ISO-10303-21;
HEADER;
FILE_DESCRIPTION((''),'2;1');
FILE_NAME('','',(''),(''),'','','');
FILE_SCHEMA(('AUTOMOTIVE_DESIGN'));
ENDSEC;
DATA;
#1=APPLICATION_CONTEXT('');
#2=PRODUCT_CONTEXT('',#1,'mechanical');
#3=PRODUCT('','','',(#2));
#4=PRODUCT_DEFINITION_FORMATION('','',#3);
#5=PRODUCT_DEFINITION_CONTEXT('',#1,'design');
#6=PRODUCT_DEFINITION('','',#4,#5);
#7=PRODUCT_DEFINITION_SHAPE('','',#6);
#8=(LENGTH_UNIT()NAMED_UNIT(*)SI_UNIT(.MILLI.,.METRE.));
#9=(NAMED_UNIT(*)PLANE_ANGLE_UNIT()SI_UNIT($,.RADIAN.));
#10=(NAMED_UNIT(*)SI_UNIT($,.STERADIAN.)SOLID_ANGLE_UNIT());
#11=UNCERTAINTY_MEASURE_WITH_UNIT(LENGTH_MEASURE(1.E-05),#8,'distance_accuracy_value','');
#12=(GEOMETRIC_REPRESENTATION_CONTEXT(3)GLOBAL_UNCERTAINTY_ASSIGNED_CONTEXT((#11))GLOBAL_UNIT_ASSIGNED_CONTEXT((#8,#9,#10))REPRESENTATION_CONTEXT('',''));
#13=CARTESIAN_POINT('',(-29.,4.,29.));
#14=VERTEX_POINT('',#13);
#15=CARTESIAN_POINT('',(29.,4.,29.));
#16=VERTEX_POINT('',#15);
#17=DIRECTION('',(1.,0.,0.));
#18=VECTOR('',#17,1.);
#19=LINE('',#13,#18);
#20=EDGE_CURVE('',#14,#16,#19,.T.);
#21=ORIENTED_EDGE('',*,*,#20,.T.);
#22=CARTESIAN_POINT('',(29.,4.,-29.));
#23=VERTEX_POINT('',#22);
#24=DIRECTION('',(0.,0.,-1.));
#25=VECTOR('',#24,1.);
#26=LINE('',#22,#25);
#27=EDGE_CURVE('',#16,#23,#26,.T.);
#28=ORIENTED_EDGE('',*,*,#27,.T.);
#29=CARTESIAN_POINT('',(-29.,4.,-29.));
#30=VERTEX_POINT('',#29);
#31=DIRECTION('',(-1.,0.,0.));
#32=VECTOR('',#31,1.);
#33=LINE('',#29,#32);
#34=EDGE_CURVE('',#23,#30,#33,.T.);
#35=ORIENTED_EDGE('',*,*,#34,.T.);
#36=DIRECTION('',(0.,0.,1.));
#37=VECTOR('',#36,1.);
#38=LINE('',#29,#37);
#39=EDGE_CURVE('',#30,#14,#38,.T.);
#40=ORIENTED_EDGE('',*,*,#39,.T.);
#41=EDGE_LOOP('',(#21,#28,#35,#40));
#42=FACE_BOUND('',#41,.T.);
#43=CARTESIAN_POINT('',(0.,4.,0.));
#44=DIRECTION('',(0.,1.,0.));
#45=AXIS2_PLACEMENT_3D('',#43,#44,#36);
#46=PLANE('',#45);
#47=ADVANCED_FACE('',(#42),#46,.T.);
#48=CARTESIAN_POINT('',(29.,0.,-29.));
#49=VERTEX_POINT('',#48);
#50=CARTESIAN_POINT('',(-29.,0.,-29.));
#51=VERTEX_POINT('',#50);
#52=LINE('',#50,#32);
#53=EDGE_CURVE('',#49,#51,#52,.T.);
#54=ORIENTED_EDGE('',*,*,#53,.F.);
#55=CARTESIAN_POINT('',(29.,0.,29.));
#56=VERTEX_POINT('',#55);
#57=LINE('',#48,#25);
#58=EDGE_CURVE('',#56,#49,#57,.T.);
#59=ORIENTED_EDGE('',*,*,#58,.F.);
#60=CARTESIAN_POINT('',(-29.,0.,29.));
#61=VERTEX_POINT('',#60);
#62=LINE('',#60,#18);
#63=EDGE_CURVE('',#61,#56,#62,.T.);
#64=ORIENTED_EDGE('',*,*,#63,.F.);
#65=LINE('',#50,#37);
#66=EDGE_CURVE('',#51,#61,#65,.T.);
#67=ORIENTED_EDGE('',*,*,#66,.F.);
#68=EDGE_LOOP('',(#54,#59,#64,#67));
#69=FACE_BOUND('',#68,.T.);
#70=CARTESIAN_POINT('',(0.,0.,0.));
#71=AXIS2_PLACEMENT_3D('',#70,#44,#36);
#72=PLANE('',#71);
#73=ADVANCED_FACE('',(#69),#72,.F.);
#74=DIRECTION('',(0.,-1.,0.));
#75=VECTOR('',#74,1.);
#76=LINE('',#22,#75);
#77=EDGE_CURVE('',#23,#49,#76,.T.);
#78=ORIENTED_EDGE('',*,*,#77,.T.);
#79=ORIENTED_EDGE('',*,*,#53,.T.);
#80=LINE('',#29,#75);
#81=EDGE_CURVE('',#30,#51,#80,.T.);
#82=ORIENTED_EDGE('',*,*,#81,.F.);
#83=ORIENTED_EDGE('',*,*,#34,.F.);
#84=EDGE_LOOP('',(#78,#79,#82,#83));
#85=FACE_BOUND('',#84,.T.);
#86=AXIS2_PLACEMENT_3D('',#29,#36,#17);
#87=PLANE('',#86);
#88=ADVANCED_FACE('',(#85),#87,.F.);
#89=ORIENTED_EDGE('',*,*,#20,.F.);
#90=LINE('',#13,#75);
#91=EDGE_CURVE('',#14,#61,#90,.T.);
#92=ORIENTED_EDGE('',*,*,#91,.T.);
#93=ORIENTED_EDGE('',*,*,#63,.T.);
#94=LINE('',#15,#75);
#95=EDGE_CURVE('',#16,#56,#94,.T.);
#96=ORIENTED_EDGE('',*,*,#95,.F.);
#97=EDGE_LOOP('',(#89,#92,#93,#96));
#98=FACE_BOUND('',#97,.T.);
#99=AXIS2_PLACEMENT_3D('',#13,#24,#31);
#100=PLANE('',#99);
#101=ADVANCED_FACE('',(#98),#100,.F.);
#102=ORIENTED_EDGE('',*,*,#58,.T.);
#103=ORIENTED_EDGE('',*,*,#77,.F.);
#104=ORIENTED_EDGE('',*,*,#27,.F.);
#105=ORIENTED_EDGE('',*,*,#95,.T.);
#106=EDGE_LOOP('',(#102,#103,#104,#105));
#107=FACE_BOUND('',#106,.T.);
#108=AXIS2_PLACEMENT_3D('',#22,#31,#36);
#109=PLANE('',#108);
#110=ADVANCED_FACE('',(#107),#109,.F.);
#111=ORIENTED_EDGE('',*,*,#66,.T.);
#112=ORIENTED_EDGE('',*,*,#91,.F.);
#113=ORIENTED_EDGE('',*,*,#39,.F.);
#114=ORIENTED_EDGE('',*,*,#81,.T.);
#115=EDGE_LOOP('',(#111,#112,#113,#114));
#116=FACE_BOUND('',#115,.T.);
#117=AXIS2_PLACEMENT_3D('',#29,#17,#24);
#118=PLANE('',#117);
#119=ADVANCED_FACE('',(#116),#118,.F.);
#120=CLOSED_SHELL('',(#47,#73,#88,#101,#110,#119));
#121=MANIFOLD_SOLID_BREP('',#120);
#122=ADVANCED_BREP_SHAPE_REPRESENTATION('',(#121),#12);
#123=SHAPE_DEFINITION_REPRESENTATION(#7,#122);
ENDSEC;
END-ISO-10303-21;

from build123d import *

# Parameters (mm, degrees)
SKETCH_1_W      = 58
SKETCH_1_H      = 58
EXTRUDE_1_DEPTH = 4


with BuildPart() as part:
    # 草图1 → 凸台-拉伸1 (new body)
    with BuildSketch(Plane(origin=(0, 0, 0), x_dir=(1, 0, 0), z_dir=(0, 1, 0))):
        Rectangle(SKETCH_1_W, SKETCH_1_H)
    extrude(amount=EXTRUDE_1_DEPTH)


solid = part.part
